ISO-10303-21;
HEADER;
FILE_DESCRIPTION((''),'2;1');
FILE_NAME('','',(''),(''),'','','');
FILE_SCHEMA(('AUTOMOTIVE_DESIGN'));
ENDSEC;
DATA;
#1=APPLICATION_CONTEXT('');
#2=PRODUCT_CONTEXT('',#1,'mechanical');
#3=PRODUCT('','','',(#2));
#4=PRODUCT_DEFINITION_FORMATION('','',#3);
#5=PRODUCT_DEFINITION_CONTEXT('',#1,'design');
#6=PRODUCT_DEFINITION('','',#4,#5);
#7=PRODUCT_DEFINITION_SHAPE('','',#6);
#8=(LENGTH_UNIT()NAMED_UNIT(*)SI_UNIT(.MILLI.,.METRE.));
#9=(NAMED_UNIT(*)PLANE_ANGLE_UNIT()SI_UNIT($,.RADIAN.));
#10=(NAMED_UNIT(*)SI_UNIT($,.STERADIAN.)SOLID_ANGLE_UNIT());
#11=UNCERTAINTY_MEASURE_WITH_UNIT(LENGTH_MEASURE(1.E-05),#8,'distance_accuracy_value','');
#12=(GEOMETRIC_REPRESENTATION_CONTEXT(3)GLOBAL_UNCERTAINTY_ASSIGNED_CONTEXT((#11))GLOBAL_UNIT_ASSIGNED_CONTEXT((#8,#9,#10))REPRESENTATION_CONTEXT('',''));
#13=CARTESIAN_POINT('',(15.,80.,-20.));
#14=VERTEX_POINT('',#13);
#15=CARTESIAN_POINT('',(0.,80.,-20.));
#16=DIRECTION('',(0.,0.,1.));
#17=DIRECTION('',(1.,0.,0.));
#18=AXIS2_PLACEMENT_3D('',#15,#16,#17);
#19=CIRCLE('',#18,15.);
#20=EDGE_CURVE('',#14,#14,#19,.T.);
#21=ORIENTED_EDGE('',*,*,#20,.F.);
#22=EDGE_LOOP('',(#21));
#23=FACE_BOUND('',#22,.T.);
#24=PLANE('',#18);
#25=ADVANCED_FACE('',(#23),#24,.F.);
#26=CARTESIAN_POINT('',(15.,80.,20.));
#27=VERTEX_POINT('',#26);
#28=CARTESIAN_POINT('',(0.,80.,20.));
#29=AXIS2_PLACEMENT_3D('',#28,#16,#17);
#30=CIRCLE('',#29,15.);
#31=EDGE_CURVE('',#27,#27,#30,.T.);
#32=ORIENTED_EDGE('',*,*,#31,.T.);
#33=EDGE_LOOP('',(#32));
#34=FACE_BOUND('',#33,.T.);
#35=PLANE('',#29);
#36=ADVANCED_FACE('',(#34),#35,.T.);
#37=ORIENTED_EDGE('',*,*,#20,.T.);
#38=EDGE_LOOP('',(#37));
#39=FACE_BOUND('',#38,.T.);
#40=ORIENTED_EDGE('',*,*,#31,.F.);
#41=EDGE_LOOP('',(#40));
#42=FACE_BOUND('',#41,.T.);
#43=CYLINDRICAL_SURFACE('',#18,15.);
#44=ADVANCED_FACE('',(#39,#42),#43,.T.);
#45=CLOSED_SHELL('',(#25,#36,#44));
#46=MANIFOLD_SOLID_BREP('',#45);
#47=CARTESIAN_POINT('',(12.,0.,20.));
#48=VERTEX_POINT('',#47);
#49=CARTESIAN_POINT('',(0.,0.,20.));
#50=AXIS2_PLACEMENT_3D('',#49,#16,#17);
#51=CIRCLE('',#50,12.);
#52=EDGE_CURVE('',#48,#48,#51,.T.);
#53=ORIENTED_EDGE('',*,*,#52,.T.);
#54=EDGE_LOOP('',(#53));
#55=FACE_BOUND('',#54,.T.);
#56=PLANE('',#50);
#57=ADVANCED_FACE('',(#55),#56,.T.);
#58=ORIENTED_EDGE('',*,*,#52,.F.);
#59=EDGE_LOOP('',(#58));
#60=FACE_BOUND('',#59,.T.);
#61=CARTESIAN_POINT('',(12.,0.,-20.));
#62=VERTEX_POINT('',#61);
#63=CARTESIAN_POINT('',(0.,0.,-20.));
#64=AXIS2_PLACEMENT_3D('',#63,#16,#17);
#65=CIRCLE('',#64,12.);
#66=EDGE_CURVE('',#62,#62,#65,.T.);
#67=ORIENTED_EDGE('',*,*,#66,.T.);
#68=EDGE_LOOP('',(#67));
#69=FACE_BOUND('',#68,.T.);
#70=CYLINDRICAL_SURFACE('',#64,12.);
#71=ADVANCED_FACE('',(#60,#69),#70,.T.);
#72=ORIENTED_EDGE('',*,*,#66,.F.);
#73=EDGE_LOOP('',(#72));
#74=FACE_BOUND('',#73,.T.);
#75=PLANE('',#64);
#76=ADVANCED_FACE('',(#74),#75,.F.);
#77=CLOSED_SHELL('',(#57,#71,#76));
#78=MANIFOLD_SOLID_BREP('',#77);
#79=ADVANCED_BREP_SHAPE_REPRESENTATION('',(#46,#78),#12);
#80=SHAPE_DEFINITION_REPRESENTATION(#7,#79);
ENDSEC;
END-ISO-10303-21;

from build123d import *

# Parameters (mm, degrees)
BOSS_EXTRUDE1_DEPTH        = 20
BOSS_EXTRUDE1_DEPTH_BACK   = 20
SKETCH1_R                  = 12
BOSS_EXTRUDE1_2_DEPTH      = 20
BOSS_EXTRUDE1_2_DEPTH_BACK = 20
SKETCH1_R_2                = 15


with BuildPart() as part:
    # Sketch1 → Boss-Extrude1 (new, two sides: drawn at the far end of the back side and taken through both)
    with BuildSketch(Plane.XY.offset(-BOSS_EXTRUDE1_DEPTH_BACK)):
        Circle(SKETCH1_R)
    extrude(amount=BOSS_EXTRUDE1_DEPTH + BOSS_EXTRUDE1_DEPTH_BACK)


with BuildPart() as body_2:
    # Sketch1 → Boss-Extrude1 2 (new, two sides: drawn at the far end of the back side and taken through both)
    with BuildSketch(Plane.XY.offset(-BOSS_EXTRUDE1_2_DEPTH_BACK)):
        with Locations((0, 80)):
            Circle(SKETCH1_R_2)
    extrude(amount=BOSS_EXTRUDE1_2_DEPTH + BOSS_EXTRUDE1_2_DEPTH_BACK)


solid = Compound([part.part, body_2.part])
